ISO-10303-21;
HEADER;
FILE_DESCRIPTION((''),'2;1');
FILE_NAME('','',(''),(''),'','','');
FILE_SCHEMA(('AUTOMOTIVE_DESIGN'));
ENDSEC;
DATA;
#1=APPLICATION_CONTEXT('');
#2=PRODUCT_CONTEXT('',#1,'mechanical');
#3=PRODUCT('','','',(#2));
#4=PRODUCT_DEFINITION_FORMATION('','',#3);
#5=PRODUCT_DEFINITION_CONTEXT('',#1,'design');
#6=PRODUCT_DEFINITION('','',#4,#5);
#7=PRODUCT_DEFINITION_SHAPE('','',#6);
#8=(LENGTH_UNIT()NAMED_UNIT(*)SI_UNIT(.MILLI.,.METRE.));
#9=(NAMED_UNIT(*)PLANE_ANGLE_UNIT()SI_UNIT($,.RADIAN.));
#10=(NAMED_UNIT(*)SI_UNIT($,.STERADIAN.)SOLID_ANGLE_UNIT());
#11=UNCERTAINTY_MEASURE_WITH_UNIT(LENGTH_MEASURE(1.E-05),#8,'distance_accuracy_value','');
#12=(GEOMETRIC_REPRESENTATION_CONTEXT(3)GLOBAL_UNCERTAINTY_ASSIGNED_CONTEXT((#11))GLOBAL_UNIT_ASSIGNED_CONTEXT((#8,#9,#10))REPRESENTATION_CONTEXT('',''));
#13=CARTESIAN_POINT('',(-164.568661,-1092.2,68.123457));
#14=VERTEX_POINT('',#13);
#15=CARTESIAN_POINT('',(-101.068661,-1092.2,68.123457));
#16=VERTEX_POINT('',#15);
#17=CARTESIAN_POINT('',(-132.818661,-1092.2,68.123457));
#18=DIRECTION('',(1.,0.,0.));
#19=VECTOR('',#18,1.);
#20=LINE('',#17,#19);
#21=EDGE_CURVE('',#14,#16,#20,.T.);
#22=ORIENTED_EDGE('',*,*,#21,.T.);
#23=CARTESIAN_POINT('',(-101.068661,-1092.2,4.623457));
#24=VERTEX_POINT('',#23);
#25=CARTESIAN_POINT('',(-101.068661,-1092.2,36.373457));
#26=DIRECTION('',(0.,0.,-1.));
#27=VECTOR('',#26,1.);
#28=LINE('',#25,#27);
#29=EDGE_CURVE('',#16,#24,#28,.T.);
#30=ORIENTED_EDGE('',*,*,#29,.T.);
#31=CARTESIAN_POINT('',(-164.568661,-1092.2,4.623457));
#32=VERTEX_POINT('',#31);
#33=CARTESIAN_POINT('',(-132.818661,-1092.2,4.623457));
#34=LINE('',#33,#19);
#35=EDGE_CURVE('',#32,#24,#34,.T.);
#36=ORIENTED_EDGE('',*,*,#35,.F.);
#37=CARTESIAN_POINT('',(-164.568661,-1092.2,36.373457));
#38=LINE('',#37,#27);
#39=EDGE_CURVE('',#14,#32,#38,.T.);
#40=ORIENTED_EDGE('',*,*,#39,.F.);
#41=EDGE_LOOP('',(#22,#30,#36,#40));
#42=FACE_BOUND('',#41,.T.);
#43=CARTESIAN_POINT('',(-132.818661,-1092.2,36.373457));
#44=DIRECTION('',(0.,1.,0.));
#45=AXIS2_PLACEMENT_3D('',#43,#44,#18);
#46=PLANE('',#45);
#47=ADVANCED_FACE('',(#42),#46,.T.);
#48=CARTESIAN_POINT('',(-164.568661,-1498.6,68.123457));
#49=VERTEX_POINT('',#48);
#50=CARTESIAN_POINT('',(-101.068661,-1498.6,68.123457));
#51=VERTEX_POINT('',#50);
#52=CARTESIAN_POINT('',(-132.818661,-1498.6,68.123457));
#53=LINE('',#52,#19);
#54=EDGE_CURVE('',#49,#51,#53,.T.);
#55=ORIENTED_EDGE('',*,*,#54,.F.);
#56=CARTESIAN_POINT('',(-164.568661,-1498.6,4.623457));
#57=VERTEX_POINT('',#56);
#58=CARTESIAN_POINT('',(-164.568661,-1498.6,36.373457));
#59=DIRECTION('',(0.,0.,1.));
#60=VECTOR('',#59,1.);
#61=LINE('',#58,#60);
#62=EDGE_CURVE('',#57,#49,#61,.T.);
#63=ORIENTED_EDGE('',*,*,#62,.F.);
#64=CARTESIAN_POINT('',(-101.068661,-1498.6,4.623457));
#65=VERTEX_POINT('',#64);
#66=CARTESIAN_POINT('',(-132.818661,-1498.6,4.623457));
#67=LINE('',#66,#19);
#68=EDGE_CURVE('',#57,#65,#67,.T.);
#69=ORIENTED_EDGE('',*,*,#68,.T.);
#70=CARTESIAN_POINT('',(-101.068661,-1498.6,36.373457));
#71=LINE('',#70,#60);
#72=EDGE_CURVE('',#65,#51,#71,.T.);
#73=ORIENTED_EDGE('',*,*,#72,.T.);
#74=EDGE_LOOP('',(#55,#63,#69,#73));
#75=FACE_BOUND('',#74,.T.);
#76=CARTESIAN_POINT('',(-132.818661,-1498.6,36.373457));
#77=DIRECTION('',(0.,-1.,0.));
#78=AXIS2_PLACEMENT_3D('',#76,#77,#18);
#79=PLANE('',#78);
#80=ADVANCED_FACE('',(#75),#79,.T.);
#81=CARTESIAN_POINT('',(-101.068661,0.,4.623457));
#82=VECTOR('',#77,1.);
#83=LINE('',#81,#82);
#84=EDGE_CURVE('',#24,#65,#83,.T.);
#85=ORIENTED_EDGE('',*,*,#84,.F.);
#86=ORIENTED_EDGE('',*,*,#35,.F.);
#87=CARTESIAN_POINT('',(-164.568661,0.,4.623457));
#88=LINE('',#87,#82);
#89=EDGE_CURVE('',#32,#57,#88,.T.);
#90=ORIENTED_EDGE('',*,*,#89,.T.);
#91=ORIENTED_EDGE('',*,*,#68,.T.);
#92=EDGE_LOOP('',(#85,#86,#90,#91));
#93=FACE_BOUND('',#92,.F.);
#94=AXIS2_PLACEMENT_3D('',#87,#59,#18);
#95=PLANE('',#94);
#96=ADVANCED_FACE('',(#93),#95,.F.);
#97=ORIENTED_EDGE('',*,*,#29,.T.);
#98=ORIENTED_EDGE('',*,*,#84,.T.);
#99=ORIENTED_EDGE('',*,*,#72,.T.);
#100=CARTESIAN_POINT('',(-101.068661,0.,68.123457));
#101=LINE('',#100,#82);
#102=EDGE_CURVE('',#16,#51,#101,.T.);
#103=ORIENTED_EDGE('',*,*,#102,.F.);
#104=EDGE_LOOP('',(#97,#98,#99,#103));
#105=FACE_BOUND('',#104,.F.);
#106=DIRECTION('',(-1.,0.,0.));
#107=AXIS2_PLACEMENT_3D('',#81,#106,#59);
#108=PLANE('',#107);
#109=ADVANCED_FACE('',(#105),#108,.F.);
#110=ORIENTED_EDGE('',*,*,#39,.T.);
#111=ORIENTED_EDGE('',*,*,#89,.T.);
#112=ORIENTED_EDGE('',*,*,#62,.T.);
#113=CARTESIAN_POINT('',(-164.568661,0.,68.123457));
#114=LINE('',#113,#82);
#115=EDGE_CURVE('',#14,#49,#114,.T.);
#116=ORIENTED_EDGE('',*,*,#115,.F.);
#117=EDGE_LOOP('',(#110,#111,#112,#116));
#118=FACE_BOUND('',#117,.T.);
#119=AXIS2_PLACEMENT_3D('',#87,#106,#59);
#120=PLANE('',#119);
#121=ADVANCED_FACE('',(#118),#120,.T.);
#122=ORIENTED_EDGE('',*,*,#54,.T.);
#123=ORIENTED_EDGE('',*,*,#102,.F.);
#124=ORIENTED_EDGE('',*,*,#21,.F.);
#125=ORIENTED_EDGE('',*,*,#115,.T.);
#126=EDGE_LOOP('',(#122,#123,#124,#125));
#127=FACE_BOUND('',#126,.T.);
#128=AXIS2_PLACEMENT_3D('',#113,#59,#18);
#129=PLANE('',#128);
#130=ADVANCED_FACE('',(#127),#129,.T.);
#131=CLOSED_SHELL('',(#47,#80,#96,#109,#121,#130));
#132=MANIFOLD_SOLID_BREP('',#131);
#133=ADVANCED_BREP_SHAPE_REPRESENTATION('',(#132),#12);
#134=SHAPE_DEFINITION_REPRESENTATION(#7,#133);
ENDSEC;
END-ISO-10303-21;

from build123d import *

# Parameters (mm, degrees)
F0_W      = 63.5
F0_H      = 63.5
F1_DEPTH  = 1498.6
F1_FACE_W = 63.5
F1_FACE_H = 63.5
F2_DEPTH  = 1092.2


with BuildPart() as f1:
    # F0 (on Front) → F1 (new body)
    with BuildSketch(Plane.XZ):
        with Locations((-132.818661, 36.373457)):
            Rectangle(F0_W, F0_H)
    extrude(amount=F1_DEPTH)

    # F1_face (on face) → F2 (cut)
    with BuildSketch(Plane(origin=(-132.818661, 0, 36.373457), x_dir=(1, 0, 0), z_dir=(0, 1, 0))):
        Rectangle(F1_FACE_W, F1_FACE_H)
    extrude(amount=-F2_DEPTH, mode=Mode.SUBTRACT)


solid = f1.part
